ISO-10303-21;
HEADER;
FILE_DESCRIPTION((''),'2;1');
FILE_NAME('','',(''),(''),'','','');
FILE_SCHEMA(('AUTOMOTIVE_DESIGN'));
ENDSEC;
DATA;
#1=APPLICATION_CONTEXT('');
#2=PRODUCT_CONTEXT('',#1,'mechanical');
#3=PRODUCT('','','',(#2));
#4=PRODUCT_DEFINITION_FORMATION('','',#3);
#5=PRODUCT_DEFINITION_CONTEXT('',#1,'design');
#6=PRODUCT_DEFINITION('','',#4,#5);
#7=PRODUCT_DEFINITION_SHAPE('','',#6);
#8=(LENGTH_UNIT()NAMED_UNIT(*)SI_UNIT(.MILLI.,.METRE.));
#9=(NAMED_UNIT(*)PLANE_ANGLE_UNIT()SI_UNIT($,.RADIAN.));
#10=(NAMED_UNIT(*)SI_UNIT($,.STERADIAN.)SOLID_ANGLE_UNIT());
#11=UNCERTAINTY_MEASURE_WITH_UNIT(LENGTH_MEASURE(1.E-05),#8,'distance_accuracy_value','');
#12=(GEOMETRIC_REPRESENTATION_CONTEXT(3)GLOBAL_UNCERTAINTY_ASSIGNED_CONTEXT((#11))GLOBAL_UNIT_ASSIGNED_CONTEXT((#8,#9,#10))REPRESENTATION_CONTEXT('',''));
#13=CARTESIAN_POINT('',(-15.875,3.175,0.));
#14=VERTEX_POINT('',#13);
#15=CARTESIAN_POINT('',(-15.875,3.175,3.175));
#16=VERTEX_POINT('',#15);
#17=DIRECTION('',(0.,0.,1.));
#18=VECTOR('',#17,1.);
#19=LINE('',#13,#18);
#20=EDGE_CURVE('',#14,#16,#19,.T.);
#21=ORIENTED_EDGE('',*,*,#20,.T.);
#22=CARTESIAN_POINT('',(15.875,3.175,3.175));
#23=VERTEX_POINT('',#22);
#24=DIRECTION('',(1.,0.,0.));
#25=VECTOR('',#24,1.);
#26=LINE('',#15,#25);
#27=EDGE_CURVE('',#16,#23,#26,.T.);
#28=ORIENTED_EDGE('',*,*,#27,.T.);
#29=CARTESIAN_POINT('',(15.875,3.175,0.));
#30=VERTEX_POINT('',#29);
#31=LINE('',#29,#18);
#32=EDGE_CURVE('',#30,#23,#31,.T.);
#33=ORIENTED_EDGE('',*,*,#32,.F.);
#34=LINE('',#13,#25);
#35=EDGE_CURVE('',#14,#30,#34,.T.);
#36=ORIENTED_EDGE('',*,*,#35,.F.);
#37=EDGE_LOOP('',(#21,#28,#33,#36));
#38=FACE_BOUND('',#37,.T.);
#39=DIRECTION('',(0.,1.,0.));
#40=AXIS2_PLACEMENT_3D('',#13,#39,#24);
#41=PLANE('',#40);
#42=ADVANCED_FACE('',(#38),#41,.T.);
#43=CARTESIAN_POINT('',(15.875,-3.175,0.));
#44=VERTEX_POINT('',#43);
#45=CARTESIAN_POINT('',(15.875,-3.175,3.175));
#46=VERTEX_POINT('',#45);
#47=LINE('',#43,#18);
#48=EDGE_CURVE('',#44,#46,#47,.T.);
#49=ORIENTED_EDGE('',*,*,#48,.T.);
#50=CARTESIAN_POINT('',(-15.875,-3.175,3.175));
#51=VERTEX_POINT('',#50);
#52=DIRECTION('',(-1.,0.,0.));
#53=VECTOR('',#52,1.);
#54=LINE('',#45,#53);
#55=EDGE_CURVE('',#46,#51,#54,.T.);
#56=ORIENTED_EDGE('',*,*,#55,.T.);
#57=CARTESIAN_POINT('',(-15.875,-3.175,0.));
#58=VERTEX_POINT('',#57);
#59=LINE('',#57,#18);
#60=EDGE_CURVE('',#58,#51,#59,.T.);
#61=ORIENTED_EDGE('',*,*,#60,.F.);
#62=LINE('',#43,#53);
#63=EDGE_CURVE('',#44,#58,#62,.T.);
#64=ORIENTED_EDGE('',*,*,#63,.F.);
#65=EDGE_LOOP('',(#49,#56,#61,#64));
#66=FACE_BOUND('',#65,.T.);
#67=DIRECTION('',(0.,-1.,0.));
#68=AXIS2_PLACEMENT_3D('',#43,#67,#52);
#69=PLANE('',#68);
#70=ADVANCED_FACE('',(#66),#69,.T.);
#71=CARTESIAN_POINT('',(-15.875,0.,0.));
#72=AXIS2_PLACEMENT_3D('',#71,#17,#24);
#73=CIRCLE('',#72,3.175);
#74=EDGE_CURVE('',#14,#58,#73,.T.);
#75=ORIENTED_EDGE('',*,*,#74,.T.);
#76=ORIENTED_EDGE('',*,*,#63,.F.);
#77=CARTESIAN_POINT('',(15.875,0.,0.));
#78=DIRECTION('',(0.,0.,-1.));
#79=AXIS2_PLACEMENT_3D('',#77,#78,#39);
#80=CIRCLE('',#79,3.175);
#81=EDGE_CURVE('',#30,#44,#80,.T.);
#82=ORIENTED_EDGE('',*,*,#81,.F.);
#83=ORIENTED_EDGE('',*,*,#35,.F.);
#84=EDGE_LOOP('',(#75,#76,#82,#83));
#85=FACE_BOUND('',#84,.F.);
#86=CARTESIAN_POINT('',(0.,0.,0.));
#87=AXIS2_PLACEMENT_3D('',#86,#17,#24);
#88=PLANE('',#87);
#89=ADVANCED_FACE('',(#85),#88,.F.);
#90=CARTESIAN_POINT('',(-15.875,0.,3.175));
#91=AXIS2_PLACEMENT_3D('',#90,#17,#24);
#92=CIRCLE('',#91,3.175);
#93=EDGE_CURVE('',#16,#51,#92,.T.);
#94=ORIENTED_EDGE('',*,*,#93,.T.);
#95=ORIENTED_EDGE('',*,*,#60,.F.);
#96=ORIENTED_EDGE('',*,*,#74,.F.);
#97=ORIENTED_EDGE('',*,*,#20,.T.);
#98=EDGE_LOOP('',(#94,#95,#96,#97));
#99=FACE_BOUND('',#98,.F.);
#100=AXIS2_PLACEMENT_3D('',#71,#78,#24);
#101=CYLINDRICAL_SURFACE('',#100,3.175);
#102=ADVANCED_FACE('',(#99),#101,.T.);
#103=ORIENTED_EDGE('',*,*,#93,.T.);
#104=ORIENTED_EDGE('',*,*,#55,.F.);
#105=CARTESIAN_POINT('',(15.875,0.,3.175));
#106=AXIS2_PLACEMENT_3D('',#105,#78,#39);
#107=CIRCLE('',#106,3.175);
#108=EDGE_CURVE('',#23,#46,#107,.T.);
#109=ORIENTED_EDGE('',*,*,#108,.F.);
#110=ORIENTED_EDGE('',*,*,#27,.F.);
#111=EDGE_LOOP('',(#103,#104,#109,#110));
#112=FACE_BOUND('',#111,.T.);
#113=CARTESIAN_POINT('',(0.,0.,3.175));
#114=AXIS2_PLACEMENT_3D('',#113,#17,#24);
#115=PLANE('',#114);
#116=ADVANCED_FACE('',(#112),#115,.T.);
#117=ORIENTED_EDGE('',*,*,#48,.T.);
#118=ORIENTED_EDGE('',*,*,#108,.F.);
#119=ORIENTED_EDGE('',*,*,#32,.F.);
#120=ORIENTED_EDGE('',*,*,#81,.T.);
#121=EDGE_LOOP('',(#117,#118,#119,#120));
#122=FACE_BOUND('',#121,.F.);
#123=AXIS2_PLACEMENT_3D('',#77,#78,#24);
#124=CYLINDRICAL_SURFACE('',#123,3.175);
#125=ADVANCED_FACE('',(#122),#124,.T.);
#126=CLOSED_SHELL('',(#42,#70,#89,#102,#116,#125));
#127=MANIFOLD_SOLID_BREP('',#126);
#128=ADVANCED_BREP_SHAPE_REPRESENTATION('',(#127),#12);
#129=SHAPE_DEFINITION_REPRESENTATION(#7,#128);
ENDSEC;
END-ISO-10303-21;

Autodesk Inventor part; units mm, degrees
ref_plane "YZ Plane" through (0, 0, 0) normal (1, 0, 0) x (0, 1, 0)
ref_plane "XZ Plane" through (0, 0, 0) normal (0, 1, 0) x (-1, 0, 0)
ref_plane "XY Plane" through (0, 0, 0) normal (0, 0, 1) x (1, 0, 0)
sketch "Sketch1" plane through (0, 0, 0) normal (0, 0, 1) x (1, 0, 0)
  line L0 (15.875, -3.175) -> (-15.875, -3.175)
  line L1 (-15.875, -3.175) -> (-15.875, 3.175)
  line L2 (-15.875, 3.175) -> (15.875, 3.175)
  line L3 (15.875, 3.175) -> (15.875, -3.175)
  line L4 (15.875, -3.175) -> (-15.875, 3.175) construction
  line L5 (-15.875, -3.175) -> (15.875, 3.175) construction
  circle A0 centre (-15.875, 0) radius 3.175
  circle A1 centre (15.875, 0) radius 3.175
  point P0 (0, 0)
  point P1 (15.875, -3.175)
  dimension "d0" = 31.75
  dimension "d1" = 6.35
extrude "Extrusion1" add sketch "Sketch1" along normal blind 3.175
properties part number "Drone_Latch_Extender"
